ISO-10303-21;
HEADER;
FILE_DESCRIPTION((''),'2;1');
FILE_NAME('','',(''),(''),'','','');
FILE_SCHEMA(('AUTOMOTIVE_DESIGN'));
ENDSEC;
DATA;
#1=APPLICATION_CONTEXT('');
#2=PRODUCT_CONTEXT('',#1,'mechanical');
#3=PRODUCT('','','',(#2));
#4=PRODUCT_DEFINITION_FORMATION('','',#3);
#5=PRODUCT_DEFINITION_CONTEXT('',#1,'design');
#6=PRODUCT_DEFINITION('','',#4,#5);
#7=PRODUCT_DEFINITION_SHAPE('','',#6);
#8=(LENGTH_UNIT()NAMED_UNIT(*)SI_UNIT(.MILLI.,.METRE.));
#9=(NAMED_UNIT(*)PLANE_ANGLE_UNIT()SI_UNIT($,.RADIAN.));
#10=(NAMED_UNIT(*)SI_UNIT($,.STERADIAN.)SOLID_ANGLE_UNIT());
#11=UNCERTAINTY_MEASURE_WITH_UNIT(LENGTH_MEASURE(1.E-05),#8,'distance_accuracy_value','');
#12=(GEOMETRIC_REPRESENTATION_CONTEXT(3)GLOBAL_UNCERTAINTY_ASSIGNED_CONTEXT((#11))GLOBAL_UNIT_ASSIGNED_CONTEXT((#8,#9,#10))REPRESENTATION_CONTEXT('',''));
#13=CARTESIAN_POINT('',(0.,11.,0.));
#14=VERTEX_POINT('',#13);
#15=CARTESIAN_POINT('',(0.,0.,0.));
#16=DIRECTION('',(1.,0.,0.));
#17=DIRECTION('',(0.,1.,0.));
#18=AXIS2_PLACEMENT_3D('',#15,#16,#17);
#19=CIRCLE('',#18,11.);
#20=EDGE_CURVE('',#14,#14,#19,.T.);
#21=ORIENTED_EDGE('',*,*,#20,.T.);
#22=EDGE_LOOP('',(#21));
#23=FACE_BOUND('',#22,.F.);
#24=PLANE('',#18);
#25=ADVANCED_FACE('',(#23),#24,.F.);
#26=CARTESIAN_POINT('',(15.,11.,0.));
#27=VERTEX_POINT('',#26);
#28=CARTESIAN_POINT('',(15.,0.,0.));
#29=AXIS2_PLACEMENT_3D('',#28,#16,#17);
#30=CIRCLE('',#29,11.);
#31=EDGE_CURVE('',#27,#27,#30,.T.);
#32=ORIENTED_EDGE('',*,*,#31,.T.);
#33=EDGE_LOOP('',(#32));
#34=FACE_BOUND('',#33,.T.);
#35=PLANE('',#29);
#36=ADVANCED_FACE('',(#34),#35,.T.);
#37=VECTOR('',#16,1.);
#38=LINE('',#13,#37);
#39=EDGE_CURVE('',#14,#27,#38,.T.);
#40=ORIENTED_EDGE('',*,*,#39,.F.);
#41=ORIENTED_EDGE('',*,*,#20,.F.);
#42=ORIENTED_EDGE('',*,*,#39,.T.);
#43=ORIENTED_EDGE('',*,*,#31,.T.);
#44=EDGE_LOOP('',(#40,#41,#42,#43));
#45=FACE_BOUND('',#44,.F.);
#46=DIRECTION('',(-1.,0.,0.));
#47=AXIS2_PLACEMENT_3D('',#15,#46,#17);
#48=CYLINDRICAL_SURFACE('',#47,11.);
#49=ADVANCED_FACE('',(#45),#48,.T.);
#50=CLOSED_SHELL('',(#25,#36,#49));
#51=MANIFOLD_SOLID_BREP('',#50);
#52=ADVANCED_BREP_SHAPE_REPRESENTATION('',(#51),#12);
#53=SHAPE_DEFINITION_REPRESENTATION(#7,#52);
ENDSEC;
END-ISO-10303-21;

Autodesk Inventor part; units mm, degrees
ref_plane "YZ Plane" through (0, 0, 0) normal (1, 0, 0) x (0, 1, 0)
ref_plane "XZ Plane" through (0, 0, 0) normal (0, 1, 0) x (-1, 0, 0)
ref_plane "XY Plane" through (0, 0, 0) normal (0, 0, 1) x (1, 0, 0)
sketch "Sketch1" plane through (0, 0, 0) normal (1, 0, 0) x (0, 1, 0)
  circle A0 centre (0, 0) radius 11
  dimension "d0" = 22
extrude "Extrusion1" add sketch "Sketch1" along normal blind 15
properties part number "smolGear"
